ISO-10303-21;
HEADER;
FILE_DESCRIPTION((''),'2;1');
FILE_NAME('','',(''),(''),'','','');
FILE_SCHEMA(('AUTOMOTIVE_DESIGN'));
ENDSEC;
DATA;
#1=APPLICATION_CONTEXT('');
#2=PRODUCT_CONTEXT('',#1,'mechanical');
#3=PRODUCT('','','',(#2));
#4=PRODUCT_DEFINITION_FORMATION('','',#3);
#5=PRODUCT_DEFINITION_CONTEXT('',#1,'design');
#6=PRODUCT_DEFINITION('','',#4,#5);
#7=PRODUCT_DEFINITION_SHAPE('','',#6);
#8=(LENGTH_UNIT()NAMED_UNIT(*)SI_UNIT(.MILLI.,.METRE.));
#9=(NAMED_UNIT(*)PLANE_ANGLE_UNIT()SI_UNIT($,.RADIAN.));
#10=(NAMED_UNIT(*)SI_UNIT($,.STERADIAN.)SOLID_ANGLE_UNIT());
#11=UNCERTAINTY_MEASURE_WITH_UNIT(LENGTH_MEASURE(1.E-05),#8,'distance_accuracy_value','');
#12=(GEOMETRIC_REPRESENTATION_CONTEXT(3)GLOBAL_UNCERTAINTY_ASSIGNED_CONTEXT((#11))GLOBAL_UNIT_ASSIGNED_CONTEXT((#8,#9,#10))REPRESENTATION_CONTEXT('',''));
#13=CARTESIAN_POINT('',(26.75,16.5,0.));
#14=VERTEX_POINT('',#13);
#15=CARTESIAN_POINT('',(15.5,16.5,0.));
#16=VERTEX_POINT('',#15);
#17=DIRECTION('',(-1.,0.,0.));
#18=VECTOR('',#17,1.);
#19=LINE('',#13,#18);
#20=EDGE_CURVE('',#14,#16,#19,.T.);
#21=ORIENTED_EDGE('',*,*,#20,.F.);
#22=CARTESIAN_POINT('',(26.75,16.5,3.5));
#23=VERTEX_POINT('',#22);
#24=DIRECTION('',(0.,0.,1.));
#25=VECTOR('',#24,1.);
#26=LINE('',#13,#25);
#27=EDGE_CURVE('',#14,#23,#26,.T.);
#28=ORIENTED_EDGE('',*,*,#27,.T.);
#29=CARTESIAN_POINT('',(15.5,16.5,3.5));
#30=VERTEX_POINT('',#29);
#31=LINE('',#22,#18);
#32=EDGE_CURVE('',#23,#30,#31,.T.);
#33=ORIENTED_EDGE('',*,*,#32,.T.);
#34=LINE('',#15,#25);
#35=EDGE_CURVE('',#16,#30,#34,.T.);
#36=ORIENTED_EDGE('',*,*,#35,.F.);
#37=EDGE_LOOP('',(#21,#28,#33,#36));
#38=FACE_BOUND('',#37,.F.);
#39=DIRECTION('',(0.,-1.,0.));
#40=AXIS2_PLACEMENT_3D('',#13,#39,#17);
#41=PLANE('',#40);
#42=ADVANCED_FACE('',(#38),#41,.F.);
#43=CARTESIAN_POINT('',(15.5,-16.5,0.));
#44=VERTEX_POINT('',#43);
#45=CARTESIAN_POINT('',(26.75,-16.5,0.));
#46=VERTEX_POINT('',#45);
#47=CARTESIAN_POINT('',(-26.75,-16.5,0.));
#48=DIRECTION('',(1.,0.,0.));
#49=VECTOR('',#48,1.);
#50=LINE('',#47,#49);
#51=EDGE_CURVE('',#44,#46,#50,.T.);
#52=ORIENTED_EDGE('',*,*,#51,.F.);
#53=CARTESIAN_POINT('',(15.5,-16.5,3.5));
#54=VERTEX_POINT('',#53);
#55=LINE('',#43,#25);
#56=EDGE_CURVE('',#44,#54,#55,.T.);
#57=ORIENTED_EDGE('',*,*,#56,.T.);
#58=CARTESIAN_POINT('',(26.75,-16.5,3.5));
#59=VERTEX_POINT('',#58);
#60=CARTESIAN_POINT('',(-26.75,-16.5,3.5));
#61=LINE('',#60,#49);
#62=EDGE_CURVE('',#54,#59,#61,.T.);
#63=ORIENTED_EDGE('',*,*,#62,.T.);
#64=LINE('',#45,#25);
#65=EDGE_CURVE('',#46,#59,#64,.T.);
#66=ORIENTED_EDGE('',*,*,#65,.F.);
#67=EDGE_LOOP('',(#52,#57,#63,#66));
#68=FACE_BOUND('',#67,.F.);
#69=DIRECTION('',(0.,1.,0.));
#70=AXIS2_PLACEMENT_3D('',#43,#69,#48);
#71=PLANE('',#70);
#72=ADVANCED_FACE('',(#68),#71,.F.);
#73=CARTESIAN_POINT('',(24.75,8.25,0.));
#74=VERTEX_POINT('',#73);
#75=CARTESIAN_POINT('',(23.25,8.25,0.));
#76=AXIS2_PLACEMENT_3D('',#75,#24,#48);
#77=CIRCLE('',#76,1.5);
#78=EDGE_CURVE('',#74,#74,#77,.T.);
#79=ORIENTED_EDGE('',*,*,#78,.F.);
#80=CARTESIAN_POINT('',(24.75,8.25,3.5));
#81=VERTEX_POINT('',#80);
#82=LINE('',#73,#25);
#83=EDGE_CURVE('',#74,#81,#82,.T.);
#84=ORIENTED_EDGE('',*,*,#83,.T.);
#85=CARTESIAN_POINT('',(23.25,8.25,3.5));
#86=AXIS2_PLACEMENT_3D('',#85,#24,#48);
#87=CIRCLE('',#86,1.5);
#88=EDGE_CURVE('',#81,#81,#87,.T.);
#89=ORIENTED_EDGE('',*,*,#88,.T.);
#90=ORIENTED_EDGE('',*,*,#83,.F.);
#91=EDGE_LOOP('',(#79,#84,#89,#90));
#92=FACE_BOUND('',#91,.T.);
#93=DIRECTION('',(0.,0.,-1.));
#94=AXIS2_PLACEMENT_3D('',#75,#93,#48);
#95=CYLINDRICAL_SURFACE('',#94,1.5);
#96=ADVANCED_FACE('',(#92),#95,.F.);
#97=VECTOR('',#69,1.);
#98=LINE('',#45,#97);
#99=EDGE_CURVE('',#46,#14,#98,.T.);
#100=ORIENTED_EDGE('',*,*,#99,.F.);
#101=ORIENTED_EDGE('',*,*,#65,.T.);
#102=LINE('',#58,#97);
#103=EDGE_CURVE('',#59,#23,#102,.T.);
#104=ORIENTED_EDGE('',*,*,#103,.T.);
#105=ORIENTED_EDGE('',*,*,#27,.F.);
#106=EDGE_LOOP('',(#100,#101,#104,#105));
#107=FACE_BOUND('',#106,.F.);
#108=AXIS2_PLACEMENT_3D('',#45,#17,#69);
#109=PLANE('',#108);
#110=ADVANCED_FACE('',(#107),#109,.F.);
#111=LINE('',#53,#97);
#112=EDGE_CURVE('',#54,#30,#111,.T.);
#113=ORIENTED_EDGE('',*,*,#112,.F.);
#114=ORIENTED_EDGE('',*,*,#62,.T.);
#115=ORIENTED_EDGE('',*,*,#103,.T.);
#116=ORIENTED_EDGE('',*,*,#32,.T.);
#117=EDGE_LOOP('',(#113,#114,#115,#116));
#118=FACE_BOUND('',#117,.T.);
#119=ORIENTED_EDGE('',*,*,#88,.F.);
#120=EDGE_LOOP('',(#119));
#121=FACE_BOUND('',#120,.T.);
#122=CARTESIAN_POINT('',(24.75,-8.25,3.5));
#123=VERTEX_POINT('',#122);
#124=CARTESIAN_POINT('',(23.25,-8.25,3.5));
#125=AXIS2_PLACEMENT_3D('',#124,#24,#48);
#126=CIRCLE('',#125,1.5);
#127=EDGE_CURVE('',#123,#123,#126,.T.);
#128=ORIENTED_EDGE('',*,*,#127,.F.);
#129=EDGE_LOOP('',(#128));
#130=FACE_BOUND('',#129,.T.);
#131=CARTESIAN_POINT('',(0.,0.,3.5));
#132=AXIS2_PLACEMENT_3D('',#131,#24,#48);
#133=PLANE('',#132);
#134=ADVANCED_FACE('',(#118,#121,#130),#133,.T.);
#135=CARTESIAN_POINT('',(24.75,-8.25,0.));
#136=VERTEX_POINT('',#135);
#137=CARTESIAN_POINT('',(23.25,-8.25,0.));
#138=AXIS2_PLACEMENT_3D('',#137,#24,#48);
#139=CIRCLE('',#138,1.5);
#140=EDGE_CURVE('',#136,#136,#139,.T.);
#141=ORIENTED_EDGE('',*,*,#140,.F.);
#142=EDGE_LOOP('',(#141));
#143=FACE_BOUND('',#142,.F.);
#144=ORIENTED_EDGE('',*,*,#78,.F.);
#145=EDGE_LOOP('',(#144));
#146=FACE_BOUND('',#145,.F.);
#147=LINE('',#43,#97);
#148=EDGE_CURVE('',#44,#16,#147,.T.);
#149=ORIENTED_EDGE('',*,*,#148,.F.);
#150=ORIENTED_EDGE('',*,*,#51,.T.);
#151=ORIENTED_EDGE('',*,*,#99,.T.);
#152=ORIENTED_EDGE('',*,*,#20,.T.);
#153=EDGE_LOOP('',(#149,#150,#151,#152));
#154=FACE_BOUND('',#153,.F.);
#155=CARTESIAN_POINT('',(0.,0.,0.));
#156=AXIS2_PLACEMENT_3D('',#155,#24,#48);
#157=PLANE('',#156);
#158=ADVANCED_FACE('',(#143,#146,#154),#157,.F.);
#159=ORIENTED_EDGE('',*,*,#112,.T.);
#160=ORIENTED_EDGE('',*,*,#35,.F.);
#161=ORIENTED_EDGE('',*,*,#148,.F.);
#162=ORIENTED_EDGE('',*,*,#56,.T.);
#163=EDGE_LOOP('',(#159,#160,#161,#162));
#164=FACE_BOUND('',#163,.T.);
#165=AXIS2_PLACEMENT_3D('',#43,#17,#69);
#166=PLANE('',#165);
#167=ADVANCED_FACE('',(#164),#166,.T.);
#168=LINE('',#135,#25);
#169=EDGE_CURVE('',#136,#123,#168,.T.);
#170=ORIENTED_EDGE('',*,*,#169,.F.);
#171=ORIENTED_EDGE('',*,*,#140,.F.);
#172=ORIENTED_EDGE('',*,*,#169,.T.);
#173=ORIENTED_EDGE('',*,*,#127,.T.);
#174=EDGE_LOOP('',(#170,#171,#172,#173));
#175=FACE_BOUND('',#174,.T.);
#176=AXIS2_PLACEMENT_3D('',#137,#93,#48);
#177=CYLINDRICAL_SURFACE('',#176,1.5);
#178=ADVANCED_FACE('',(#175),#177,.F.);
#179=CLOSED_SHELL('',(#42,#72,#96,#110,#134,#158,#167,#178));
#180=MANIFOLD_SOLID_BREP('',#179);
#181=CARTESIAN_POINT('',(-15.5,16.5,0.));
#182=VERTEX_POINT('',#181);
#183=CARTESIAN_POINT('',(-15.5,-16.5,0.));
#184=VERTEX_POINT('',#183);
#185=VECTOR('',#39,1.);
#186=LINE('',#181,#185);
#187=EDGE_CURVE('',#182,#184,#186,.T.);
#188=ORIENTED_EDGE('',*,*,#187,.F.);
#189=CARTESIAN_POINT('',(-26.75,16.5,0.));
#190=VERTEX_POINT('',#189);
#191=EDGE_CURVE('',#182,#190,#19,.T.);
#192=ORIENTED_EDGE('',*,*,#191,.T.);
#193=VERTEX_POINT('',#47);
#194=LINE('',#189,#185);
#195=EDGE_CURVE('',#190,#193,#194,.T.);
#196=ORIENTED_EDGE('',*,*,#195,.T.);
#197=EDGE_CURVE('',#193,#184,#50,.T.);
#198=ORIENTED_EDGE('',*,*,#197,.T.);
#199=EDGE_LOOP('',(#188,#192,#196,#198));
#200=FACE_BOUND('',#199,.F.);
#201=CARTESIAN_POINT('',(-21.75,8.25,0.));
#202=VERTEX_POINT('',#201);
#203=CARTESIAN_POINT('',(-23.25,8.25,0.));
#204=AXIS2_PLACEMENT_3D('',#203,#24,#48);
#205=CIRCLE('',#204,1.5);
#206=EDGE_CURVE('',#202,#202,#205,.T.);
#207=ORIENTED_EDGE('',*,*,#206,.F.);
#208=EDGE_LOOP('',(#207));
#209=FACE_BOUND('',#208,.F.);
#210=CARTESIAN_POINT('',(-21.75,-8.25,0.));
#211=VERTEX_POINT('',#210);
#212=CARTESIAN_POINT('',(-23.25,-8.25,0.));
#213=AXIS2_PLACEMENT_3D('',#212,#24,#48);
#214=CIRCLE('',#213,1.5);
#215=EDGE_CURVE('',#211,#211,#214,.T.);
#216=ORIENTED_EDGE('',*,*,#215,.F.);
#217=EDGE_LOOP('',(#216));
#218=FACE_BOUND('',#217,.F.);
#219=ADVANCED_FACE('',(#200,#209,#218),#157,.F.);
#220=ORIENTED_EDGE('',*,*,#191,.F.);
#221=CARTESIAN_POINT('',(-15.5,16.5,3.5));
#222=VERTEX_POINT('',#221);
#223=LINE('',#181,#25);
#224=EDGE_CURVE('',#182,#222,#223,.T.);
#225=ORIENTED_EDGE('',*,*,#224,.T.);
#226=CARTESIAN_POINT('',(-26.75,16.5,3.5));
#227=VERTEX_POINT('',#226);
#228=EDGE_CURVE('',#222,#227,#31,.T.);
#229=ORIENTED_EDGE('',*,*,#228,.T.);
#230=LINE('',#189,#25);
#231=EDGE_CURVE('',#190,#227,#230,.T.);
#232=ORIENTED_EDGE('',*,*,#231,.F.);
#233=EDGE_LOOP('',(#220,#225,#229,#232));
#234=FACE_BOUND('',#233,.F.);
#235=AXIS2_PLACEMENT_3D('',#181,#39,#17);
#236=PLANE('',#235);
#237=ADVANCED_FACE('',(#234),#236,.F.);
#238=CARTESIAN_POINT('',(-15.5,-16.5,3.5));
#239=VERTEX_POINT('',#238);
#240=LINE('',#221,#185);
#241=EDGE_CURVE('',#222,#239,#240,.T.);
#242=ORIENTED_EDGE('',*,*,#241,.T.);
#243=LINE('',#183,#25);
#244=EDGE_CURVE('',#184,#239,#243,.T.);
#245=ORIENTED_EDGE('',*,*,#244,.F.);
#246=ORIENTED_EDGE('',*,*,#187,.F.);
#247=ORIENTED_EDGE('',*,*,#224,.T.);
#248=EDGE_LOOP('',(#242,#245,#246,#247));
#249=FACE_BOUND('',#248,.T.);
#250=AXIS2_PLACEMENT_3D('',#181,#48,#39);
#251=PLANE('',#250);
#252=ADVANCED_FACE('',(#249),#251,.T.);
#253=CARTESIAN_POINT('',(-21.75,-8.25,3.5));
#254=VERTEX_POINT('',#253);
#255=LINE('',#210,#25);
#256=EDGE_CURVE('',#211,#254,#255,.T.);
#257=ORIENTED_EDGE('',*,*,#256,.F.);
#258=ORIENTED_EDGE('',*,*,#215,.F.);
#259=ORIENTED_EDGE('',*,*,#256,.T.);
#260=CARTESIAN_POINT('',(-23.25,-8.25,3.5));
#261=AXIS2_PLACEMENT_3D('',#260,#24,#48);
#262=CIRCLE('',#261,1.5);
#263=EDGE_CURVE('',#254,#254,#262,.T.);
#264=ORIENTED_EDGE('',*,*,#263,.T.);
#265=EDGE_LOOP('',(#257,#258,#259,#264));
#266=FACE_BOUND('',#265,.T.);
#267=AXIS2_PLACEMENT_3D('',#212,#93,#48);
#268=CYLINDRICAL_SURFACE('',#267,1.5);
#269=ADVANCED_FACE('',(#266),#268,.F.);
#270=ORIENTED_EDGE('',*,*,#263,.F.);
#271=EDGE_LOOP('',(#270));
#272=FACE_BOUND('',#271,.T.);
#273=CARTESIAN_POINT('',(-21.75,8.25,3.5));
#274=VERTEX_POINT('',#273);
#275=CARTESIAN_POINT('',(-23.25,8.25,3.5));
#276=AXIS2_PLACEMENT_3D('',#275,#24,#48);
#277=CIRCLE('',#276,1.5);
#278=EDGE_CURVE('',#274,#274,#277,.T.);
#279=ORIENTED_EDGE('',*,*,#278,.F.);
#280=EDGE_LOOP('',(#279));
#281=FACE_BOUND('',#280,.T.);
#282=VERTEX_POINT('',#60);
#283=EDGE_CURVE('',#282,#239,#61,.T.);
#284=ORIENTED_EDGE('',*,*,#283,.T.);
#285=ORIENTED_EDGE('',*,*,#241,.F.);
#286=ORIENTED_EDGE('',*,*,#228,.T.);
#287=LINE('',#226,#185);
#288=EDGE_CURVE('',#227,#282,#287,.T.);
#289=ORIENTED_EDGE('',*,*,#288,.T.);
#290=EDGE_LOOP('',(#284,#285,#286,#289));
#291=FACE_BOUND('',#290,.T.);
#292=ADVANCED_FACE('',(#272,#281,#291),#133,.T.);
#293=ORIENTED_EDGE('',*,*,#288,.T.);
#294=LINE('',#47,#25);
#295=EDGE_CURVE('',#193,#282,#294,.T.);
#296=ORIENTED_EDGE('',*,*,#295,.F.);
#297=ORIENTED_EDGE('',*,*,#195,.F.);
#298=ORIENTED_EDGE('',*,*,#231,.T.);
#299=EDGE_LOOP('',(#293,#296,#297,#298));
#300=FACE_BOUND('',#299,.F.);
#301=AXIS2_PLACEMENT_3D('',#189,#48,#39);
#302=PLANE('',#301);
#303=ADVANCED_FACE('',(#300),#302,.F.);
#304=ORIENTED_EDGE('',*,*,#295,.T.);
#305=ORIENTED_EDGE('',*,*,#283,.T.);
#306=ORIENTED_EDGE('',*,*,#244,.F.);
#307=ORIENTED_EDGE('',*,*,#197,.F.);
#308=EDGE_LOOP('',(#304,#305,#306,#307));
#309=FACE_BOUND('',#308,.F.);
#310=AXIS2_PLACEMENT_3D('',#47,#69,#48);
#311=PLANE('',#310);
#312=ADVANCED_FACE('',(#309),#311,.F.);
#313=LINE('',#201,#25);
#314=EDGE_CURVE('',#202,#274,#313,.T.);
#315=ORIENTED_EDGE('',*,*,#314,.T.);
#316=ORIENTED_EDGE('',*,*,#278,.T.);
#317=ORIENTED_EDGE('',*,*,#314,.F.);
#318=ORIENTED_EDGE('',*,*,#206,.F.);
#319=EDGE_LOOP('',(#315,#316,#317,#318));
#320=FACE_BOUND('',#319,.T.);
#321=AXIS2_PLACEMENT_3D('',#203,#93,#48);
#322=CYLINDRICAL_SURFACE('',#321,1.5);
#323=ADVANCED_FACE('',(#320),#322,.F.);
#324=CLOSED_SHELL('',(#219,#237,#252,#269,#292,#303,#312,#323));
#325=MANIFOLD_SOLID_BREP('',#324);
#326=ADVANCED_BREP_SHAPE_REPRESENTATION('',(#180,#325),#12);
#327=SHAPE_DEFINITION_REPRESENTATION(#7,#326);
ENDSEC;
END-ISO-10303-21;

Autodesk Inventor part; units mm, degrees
ref_plane "YZ Plane" through (0, 0, 0) normal (1, 0, 0) x (0, 1, 0)
ref_plane "XZ Plane" through (0, 0, 0) normal (0, 1, 0) x (-1, 0, 0)
ref_plane "XY Plane" through (0, 0, 0) normal (0, 0, 1) x (1, 0, 0)
sketch "Skizze1" plane through (0, 0, 0) normal (0, 0, 1) x (1, 0, 0)
  line L0 (-37.45, 0) -> (37.45, 0) construction
  line L1 (0, -23.1) -> (0, 23.1) construction
  line L2 (-26.75, -16.5) -> (26.75, -16.5)
  line L3 (26.75, -16.5) -> (26.75, 16.5)
  line L4 (26.75, 16.5) -> (-26.75, 16.5)
  line L5 (-26.75, 16.5) -> (-26.75, -16.5)
  line L6 (-26.75, -16.5) -> (26.75, 16.5) construction
  line L7 (26.75, -16.5) -> (-26.75, 16.5) construction
  line L8 (-15.5, -16.5) -> (15.5, -16.5)
  line L9 (15.5, -16.5) -> (15.5, 16.5)
  line L10 (15.5, 16.5) -> (-15.5, 16.5)
  line L11 (-15.5, 16.5) -> (-15.5, -16.5)
  line L12 (-15.5, -16.5) -> (15.5, 16.5) construction
  line L13 (15.5, -16.5) -> (-15.5, 16.5) construction
  circle A0 centre (-23.25, -8.25) radius 1.5
  circle A1 centre (23.25, -8.25) radius 1.5
  circle A2 centre (-23.25, 8.25) radius 1.5
  circle A3 centre (23.25, 8.25) radius 1.5
  point P0 (0, 0)
  dimension "d0" = 53.5
  dimension "d1" = 33
  dimension "d2" = 31
  dimension "d3" = 33
  dimension "d6" = 3
  dimension "d9" = 23.25
  dimension "d10" = 8.25
extrude "Extrusion1" add sketch "Skizze1" along normal blind 3.5 contours L5 L4 L11 L2 | L9 L4 L3 L2
properties part number "LC_mirror_holder_back"
